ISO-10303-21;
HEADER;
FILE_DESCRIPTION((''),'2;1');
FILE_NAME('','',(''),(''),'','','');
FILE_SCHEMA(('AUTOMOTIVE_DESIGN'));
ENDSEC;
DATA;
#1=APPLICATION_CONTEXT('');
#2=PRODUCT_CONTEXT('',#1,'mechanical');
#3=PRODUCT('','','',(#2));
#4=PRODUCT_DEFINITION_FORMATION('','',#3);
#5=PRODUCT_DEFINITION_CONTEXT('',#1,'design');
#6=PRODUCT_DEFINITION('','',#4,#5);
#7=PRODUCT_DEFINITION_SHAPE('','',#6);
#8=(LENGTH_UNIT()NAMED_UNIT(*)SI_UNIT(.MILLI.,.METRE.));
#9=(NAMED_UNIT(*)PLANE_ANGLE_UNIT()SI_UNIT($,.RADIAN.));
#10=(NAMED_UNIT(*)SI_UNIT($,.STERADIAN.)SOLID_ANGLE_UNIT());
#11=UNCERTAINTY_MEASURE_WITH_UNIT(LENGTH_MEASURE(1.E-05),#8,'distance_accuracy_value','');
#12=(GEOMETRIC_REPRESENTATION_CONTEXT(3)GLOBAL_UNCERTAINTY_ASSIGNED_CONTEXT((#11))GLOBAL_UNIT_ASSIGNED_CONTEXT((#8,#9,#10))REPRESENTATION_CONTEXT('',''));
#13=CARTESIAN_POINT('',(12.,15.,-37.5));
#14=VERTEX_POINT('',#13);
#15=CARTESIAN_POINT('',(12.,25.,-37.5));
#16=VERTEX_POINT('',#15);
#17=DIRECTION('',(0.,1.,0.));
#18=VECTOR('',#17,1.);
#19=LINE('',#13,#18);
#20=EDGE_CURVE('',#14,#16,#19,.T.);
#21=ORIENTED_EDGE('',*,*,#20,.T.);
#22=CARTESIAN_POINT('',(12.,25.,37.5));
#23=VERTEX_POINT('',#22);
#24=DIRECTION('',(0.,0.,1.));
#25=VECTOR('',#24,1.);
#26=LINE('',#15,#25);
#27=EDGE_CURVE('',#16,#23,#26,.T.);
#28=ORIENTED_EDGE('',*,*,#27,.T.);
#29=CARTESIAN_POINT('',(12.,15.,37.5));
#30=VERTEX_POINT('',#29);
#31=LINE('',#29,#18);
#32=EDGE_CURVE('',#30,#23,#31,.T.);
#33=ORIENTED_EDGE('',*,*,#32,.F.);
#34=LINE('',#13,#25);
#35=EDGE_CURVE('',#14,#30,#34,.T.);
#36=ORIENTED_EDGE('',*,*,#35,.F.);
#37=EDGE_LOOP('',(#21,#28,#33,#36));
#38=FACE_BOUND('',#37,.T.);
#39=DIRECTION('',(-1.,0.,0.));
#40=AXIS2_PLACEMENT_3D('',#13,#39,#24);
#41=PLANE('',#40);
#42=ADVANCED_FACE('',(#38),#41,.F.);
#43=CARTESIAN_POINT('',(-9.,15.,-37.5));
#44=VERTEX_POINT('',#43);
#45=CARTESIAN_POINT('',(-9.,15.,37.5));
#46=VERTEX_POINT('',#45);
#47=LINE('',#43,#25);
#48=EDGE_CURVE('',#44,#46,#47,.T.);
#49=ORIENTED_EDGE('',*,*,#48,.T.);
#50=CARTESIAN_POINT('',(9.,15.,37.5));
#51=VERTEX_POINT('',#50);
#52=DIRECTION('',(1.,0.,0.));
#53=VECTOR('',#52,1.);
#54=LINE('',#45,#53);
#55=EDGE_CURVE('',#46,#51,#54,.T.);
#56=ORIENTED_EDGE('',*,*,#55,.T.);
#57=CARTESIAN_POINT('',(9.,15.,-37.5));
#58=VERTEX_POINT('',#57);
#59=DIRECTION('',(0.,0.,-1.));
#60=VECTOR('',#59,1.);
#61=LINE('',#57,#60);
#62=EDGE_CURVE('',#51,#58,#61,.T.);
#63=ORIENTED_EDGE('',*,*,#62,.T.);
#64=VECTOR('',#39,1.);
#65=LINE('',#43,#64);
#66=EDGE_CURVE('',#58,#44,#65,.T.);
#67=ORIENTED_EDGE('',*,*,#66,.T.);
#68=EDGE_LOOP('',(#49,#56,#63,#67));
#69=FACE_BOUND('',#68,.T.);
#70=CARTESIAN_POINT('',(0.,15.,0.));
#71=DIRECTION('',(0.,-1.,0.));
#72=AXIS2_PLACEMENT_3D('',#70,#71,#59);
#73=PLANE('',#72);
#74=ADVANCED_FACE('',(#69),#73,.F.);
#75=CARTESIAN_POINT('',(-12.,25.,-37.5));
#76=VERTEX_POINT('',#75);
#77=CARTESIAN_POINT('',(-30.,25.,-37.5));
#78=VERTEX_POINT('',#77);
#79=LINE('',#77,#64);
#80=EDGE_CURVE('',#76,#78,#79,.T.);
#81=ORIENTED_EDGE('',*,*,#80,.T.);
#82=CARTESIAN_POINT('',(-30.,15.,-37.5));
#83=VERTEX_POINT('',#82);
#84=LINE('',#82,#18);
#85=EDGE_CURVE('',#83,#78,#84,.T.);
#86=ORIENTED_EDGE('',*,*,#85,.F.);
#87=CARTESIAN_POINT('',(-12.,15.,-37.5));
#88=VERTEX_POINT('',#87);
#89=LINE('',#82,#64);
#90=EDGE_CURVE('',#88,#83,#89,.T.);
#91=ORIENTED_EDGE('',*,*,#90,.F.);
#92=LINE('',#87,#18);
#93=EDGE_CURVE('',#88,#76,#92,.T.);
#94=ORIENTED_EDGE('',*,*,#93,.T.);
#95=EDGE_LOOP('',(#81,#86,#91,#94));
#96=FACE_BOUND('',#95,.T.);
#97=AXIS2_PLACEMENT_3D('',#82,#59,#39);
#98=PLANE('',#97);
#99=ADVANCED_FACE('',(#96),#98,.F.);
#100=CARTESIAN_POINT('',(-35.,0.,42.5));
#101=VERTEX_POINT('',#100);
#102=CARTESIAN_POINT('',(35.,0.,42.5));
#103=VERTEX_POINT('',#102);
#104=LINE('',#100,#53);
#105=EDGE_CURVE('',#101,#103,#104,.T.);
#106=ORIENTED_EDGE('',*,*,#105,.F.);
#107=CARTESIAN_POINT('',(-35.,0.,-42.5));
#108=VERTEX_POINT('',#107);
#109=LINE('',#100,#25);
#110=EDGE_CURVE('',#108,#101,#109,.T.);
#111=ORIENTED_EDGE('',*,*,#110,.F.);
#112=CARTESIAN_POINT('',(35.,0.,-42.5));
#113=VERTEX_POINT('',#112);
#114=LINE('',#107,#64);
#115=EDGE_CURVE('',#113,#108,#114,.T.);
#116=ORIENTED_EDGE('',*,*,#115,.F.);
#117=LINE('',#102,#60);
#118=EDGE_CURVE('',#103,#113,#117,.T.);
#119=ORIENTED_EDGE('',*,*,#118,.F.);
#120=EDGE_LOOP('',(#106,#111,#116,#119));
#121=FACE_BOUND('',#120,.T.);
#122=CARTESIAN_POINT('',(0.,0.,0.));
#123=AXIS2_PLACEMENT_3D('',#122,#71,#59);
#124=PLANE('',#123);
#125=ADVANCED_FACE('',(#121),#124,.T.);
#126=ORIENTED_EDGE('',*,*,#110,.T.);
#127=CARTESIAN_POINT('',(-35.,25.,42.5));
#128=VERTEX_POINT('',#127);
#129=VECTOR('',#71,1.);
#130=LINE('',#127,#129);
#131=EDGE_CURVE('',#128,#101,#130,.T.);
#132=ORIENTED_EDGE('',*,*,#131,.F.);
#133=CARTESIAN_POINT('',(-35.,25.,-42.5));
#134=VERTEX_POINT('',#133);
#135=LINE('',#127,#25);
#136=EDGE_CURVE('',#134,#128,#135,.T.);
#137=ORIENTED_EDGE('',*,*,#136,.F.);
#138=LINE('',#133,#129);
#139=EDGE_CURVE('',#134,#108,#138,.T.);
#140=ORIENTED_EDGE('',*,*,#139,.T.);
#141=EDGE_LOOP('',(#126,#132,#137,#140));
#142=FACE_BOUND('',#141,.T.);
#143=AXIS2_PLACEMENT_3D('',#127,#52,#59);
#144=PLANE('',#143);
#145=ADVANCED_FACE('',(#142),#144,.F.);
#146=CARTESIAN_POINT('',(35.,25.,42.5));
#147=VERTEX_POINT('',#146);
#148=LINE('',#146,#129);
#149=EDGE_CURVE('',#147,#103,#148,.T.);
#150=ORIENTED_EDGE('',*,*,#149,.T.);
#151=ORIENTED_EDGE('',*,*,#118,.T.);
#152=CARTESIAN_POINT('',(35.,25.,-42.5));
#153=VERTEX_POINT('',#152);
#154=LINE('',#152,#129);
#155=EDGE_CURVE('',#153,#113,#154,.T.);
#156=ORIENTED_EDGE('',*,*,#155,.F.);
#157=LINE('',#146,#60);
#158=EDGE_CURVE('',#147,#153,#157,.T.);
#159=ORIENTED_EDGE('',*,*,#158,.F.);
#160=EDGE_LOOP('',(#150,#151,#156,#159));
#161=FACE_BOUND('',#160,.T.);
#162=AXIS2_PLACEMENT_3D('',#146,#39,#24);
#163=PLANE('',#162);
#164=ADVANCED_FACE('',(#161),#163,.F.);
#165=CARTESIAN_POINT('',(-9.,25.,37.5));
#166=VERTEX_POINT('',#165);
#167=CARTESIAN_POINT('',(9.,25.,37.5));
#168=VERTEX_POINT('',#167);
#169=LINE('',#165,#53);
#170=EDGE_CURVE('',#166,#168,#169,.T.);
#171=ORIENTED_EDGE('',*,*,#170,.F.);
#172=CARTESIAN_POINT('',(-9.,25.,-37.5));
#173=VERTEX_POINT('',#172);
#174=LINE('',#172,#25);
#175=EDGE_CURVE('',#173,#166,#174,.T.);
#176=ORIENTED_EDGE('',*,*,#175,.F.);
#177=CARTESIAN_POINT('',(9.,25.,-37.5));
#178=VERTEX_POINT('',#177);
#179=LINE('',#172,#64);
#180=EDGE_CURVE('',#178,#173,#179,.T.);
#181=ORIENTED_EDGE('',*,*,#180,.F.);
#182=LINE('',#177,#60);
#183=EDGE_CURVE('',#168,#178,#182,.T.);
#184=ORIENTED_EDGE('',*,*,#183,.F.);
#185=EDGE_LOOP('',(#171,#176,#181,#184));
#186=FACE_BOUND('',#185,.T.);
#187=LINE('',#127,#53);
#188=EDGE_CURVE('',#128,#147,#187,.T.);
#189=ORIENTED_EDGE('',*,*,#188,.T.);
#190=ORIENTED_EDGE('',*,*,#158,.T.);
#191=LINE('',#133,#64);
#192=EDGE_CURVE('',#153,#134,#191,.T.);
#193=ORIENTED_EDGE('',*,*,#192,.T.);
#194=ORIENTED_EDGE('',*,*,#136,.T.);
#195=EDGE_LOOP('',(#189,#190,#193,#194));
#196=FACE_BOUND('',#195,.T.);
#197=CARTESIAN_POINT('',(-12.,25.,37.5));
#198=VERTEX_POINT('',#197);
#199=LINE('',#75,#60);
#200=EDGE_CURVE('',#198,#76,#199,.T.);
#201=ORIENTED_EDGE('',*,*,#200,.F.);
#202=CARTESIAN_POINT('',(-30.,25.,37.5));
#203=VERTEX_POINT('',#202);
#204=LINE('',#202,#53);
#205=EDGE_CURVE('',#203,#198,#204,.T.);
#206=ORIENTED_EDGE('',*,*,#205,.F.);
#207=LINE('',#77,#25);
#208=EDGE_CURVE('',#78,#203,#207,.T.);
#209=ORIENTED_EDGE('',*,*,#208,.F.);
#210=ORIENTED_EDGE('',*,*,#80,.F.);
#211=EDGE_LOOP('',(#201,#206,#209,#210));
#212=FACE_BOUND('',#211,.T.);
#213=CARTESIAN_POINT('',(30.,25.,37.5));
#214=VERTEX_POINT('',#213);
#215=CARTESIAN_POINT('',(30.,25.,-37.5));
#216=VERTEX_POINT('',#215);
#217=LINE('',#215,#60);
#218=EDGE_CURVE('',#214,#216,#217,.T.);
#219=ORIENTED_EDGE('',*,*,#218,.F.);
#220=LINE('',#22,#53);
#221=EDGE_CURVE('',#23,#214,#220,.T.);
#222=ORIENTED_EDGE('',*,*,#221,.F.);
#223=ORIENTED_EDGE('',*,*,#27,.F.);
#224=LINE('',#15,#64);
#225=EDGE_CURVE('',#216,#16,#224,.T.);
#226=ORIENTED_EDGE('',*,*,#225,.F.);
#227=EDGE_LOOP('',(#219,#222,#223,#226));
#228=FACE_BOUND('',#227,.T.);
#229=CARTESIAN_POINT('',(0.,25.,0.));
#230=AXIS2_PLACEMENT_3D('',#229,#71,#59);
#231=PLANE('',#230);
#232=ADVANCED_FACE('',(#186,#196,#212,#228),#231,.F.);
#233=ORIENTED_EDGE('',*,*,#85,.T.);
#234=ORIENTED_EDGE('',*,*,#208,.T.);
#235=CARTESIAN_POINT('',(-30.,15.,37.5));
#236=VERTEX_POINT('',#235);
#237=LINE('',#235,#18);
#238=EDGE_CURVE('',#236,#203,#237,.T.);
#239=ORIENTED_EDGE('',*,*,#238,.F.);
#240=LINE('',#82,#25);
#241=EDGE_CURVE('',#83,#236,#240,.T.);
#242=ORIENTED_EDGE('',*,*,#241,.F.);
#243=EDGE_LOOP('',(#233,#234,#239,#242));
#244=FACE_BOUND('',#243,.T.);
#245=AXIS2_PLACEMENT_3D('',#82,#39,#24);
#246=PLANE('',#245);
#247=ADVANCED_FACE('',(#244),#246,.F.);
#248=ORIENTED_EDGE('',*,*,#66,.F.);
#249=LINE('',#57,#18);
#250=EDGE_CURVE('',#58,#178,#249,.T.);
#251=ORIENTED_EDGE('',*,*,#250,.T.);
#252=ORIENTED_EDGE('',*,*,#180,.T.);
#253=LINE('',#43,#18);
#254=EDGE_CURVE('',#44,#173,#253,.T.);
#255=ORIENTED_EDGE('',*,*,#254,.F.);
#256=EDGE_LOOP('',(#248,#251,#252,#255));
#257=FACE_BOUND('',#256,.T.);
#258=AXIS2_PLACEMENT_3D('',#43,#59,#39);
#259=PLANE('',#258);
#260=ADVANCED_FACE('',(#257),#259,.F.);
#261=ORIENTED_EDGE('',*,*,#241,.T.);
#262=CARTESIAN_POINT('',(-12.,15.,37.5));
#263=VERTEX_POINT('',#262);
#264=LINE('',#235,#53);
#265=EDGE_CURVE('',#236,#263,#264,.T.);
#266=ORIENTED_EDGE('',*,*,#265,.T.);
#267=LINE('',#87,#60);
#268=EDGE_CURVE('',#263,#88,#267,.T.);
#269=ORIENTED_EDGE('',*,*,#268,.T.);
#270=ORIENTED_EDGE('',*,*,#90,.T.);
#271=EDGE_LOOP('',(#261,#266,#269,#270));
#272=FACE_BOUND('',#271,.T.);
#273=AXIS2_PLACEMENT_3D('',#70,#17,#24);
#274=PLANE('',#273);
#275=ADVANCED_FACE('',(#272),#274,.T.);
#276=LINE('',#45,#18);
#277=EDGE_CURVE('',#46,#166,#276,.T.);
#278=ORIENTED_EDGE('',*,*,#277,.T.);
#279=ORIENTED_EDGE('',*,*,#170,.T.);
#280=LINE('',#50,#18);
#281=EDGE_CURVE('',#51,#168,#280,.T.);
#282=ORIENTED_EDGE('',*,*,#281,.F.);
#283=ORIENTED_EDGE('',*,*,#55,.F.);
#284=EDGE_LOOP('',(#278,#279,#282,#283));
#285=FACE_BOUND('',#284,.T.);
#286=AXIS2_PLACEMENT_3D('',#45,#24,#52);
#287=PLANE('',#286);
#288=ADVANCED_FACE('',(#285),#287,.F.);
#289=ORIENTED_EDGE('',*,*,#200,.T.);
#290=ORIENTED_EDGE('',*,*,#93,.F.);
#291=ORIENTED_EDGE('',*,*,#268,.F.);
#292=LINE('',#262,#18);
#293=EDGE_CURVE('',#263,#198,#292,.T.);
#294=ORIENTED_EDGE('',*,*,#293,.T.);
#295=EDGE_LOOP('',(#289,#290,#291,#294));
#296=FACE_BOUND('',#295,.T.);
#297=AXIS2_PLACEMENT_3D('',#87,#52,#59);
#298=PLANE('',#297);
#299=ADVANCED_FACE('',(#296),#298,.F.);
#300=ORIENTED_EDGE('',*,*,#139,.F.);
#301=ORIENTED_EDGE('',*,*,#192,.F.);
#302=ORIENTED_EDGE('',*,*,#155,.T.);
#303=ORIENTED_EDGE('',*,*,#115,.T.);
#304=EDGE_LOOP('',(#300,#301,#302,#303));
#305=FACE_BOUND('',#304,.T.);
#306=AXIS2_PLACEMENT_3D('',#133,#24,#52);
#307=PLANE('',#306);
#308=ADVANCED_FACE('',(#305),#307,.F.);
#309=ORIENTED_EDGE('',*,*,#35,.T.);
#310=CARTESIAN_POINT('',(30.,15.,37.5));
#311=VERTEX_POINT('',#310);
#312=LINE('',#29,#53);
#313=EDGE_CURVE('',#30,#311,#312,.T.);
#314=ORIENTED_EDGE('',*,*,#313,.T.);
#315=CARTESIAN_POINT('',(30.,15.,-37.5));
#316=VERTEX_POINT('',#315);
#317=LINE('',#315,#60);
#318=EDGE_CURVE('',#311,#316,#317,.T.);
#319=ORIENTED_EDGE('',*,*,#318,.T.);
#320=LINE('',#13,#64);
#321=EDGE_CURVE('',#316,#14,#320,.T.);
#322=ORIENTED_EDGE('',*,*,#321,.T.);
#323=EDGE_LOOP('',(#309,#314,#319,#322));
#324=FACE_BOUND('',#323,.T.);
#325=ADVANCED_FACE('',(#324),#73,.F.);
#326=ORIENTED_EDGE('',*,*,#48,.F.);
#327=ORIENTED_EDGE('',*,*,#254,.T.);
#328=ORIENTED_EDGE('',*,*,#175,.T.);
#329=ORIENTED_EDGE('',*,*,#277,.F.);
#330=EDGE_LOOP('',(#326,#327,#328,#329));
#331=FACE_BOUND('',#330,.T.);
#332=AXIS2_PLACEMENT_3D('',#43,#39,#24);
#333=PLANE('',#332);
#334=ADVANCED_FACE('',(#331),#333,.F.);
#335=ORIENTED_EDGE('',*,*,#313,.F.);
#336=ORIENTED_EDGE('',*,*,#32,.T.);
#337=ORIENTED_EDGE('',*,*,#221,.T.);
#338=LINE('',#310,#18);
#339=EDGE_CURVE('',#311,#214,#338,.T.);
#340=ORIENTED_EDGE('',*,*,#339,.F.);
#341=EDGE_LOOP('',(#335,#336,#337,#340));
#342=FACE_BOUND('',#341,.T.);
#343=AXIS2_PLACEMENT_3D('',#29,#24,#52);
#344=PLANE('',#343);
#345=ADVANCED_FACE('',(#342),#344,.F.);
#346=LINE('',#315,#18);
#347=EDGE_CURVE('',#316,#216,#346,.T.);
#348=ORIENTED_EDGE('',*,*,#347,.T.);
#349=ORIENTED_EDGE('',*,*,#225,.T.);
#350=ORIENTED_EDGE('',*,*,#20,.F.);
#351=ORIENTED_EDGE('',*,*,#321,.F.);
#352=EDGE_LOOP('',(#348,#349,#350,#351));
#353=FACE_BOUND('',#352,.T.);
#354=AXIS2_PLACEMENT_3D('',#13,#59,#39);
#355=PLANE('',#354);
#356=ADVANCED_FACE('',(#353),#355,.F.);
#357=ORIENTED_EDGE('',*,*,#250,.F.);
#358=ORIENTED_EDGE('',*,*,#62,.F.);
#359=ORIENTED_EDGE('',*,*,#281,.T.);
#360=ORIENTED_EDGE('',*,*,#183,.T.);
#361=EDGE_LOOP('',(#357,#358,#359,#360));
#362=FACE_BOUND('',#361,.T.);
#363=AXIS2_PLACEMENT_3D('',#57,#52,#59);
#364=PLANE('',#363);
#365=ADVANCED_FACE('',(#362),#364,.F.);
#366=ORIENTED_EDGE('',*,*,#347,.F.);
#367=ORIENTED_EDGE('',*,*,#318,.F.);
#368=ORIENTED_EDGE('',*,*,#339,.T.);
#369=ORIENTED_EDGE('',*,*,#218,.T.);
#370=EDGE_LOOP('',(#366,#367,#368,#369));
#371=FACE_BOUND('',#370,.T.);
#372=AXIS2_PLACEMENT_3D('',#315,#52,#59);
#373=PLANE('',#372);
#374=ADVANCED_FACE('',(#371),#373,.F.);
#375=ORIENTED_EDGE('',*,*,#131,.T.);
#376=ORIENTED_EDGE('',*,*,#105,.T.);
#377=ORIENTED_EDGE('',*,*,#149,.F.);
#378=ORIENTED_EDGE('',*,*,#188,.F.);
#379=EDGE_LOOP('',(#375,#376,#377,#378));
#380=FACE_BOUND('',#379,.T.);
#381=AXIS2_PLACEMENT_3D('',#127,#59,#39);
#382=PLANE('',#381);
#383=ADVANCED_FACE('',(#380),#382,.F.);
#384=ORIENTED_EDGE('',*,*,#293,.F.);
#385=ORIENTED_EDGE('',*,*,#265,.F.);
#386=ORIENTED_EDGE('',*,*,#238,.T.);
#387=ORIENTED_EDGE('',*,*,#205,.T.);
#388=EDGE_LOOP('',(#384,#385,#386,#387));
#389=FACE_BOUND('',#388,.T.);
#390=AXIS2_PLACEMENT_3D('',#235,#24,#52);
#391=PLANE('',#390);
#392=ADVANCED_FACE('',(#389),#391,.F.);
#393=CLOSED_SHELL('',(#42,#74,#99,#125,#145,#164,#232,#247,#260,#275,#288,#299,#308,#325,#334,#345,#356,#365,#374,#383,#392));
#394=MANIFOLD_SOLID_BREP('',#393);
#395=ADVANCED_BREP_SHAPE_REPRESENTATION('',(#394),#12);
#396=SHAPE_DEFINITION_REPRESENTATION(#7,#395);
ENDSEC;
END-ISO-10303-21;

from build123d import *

# Parameters (mm, degrees)
SKETCH1_W           = 70
SKETCH1_H           = 85
BOSS_EXTRUDE1_DEPTH = 25
SKETCH2_W           = 18
SKETCH2_H           = 75
CUT_EXTRUDE1_DEPTH  = 10


with BuildPart() as part:
    # Sketch1 → Boss-Extrude1 (new body)
    with BuildSketch(Plane(origin=(0, 0, 0), x_dir=(1, 0, 0), z_dir=(0, 1, 0))):
        Rectangle(SKETCH1_W, SKETCH1_H)
    extrude(amount=BOSS_EXTRUDE1_DEPTH)

    # Sketch2 → Cut-Extrude1 (cut)
    with BuildSketch(Plane(origin=(0, 25, 0), x_dir=(1, 0, 0), z_dir=(0, 1, 0))):
        with Locations((-21, 0)):
            Rectangle(SKETCH2_W, SKETCH2_H)
        Rectangle(SKETCH2_W, SKETCH2_H)
        with Locations((21, 0)):
            Rectangle(SKETCH2_W, SKETCH2_H)
    extrude(amount=-CUT_EXTRUDE1_DEPTH, mode=Mode.SUBTRACT)


solid = part.part
